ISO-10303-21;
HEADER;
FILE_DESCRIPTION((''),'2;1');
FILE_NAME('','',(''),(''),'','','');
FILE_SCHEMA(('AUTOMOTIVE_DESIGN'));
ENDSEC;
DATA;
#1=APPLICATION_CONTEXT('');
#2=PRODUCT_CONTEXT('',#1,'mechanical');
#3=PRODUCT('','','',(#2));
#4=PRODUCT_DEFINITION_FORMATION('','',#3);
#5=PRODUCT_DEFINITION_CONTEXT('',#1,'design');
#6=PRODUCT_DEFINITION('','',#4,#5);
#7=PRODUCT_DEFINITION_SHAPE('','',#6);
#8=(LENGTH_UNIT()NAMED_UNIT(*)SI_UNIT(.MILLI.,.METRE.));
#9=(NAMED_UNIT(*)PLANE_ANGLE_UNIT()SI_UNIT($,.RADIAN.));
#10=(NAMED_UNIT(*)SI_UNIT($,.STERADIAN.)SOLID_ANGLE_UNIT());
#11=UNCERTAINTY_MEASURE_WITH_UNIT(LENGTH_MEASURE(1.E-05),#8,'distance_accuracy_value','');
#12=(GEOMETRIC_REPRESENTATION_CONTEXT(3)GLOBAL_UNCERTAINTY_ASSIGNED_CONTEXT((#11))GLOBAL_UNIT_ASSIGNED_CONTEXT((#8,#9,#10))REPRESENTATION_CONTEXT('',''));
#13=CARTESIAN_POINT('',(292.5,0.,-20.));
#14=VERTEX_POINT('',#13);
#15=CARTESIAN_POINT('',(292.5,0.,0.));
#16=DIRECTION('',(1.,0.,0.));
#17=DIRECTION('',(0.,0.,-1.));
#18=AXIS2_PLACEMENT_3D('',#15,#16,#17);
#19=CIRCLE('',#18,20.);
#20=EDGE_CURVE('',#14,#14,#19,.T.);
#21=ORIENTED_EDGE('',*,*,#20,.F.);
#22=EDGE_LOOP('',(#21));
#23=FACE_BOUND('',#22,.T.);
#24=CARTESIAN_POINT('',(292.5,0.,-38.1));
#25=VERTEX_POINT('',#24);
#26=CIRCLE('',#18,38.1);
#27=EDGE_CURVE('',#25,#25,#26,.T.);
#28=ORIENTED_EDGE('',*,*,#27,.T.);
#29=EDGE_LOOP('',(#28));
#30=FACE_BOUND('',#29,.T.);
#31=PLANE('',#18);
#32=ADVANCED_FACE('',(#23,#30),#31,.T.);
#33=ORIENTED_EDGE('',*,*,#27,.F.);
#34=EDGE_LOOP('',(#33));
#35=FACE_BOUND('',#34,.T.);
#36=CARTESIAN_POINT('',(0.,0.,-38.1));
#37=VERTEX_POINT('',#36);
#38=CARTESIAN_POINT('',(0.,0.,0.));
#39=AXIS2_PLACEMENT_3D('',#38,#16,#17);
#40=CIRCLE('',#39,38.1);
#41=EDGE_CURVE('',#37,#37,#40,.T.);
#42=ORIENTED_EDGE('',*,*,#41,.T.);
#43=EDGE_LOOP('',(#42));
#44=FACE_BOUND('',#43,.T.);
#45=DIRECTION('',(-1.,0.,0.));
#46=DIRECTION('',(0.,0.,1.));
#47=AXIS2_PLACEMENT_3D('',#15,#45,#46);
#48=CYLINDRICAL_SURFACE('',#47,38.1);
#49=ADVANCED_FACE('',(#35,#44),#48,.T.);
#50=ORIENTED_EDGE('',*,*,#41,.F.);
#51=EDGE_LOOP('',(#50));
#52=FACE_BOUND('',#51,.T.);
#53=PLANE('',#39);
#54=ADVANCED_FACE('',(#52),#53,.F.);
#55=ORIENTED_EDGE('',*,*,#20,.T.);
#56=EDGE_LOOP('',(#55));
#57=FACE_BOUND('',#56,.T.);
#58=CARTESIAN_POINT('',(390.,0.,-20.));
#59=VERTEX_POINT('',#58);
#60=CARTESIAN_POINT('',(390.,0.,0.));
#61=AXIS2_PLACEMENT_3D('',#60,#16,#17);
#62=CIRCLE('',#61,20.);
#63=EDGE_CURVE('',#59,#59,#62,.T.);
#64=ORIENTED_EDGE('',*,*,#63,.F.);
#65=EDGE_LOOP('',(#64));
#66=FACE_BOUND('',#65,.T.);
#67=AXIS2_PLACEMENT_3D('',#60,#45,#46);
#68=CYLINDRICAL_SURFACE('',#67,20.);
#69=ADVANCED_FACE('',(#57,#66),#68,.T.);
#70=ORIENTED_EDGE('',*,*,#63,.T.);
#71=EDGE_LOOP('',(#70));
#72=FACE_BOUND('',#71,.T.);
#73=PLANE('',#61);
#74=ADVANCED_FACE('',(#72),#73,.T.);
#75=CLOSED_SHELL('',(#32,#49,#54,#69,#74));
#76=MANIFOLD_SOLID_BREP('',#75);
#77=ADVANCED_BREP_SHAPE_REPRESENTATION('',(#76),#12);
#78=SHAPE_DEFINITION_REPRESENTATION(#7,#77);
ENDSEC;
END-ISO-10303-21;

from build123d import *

# Parameters (mm, degrees)
SKETCH1_R           = 20
BOSS_EXTRUDE1_DEPTH = 390
SKETCH2_R           = 38.1
BOSS_EXTRUDE2_DEPTH = 292.5


with BuildPart() as part:
    # Sketch1 → Boss-Extrude1 (new body)
    with BuildSketch(Plane(origin=(0, 0, 0), x_dir=(0, 0, -1), z_dir=(1, 0, 0))):
        Circle(SKETCH1_R)
    extrude(amount=BOSS_EXTRUDE1_DEPTH)

    # Sketch2 → Boss-Extrude2 (add)
    with BuildSketch(Plane(origin=(0, 0, 0), x_dir=(0, 0, -1), z_dir=(1, 0, 0))):
        Circle(SKETCH2_R)
    extrude(amount=BOSS_EXTRUDE2_DEPTH)


solid = part.part
